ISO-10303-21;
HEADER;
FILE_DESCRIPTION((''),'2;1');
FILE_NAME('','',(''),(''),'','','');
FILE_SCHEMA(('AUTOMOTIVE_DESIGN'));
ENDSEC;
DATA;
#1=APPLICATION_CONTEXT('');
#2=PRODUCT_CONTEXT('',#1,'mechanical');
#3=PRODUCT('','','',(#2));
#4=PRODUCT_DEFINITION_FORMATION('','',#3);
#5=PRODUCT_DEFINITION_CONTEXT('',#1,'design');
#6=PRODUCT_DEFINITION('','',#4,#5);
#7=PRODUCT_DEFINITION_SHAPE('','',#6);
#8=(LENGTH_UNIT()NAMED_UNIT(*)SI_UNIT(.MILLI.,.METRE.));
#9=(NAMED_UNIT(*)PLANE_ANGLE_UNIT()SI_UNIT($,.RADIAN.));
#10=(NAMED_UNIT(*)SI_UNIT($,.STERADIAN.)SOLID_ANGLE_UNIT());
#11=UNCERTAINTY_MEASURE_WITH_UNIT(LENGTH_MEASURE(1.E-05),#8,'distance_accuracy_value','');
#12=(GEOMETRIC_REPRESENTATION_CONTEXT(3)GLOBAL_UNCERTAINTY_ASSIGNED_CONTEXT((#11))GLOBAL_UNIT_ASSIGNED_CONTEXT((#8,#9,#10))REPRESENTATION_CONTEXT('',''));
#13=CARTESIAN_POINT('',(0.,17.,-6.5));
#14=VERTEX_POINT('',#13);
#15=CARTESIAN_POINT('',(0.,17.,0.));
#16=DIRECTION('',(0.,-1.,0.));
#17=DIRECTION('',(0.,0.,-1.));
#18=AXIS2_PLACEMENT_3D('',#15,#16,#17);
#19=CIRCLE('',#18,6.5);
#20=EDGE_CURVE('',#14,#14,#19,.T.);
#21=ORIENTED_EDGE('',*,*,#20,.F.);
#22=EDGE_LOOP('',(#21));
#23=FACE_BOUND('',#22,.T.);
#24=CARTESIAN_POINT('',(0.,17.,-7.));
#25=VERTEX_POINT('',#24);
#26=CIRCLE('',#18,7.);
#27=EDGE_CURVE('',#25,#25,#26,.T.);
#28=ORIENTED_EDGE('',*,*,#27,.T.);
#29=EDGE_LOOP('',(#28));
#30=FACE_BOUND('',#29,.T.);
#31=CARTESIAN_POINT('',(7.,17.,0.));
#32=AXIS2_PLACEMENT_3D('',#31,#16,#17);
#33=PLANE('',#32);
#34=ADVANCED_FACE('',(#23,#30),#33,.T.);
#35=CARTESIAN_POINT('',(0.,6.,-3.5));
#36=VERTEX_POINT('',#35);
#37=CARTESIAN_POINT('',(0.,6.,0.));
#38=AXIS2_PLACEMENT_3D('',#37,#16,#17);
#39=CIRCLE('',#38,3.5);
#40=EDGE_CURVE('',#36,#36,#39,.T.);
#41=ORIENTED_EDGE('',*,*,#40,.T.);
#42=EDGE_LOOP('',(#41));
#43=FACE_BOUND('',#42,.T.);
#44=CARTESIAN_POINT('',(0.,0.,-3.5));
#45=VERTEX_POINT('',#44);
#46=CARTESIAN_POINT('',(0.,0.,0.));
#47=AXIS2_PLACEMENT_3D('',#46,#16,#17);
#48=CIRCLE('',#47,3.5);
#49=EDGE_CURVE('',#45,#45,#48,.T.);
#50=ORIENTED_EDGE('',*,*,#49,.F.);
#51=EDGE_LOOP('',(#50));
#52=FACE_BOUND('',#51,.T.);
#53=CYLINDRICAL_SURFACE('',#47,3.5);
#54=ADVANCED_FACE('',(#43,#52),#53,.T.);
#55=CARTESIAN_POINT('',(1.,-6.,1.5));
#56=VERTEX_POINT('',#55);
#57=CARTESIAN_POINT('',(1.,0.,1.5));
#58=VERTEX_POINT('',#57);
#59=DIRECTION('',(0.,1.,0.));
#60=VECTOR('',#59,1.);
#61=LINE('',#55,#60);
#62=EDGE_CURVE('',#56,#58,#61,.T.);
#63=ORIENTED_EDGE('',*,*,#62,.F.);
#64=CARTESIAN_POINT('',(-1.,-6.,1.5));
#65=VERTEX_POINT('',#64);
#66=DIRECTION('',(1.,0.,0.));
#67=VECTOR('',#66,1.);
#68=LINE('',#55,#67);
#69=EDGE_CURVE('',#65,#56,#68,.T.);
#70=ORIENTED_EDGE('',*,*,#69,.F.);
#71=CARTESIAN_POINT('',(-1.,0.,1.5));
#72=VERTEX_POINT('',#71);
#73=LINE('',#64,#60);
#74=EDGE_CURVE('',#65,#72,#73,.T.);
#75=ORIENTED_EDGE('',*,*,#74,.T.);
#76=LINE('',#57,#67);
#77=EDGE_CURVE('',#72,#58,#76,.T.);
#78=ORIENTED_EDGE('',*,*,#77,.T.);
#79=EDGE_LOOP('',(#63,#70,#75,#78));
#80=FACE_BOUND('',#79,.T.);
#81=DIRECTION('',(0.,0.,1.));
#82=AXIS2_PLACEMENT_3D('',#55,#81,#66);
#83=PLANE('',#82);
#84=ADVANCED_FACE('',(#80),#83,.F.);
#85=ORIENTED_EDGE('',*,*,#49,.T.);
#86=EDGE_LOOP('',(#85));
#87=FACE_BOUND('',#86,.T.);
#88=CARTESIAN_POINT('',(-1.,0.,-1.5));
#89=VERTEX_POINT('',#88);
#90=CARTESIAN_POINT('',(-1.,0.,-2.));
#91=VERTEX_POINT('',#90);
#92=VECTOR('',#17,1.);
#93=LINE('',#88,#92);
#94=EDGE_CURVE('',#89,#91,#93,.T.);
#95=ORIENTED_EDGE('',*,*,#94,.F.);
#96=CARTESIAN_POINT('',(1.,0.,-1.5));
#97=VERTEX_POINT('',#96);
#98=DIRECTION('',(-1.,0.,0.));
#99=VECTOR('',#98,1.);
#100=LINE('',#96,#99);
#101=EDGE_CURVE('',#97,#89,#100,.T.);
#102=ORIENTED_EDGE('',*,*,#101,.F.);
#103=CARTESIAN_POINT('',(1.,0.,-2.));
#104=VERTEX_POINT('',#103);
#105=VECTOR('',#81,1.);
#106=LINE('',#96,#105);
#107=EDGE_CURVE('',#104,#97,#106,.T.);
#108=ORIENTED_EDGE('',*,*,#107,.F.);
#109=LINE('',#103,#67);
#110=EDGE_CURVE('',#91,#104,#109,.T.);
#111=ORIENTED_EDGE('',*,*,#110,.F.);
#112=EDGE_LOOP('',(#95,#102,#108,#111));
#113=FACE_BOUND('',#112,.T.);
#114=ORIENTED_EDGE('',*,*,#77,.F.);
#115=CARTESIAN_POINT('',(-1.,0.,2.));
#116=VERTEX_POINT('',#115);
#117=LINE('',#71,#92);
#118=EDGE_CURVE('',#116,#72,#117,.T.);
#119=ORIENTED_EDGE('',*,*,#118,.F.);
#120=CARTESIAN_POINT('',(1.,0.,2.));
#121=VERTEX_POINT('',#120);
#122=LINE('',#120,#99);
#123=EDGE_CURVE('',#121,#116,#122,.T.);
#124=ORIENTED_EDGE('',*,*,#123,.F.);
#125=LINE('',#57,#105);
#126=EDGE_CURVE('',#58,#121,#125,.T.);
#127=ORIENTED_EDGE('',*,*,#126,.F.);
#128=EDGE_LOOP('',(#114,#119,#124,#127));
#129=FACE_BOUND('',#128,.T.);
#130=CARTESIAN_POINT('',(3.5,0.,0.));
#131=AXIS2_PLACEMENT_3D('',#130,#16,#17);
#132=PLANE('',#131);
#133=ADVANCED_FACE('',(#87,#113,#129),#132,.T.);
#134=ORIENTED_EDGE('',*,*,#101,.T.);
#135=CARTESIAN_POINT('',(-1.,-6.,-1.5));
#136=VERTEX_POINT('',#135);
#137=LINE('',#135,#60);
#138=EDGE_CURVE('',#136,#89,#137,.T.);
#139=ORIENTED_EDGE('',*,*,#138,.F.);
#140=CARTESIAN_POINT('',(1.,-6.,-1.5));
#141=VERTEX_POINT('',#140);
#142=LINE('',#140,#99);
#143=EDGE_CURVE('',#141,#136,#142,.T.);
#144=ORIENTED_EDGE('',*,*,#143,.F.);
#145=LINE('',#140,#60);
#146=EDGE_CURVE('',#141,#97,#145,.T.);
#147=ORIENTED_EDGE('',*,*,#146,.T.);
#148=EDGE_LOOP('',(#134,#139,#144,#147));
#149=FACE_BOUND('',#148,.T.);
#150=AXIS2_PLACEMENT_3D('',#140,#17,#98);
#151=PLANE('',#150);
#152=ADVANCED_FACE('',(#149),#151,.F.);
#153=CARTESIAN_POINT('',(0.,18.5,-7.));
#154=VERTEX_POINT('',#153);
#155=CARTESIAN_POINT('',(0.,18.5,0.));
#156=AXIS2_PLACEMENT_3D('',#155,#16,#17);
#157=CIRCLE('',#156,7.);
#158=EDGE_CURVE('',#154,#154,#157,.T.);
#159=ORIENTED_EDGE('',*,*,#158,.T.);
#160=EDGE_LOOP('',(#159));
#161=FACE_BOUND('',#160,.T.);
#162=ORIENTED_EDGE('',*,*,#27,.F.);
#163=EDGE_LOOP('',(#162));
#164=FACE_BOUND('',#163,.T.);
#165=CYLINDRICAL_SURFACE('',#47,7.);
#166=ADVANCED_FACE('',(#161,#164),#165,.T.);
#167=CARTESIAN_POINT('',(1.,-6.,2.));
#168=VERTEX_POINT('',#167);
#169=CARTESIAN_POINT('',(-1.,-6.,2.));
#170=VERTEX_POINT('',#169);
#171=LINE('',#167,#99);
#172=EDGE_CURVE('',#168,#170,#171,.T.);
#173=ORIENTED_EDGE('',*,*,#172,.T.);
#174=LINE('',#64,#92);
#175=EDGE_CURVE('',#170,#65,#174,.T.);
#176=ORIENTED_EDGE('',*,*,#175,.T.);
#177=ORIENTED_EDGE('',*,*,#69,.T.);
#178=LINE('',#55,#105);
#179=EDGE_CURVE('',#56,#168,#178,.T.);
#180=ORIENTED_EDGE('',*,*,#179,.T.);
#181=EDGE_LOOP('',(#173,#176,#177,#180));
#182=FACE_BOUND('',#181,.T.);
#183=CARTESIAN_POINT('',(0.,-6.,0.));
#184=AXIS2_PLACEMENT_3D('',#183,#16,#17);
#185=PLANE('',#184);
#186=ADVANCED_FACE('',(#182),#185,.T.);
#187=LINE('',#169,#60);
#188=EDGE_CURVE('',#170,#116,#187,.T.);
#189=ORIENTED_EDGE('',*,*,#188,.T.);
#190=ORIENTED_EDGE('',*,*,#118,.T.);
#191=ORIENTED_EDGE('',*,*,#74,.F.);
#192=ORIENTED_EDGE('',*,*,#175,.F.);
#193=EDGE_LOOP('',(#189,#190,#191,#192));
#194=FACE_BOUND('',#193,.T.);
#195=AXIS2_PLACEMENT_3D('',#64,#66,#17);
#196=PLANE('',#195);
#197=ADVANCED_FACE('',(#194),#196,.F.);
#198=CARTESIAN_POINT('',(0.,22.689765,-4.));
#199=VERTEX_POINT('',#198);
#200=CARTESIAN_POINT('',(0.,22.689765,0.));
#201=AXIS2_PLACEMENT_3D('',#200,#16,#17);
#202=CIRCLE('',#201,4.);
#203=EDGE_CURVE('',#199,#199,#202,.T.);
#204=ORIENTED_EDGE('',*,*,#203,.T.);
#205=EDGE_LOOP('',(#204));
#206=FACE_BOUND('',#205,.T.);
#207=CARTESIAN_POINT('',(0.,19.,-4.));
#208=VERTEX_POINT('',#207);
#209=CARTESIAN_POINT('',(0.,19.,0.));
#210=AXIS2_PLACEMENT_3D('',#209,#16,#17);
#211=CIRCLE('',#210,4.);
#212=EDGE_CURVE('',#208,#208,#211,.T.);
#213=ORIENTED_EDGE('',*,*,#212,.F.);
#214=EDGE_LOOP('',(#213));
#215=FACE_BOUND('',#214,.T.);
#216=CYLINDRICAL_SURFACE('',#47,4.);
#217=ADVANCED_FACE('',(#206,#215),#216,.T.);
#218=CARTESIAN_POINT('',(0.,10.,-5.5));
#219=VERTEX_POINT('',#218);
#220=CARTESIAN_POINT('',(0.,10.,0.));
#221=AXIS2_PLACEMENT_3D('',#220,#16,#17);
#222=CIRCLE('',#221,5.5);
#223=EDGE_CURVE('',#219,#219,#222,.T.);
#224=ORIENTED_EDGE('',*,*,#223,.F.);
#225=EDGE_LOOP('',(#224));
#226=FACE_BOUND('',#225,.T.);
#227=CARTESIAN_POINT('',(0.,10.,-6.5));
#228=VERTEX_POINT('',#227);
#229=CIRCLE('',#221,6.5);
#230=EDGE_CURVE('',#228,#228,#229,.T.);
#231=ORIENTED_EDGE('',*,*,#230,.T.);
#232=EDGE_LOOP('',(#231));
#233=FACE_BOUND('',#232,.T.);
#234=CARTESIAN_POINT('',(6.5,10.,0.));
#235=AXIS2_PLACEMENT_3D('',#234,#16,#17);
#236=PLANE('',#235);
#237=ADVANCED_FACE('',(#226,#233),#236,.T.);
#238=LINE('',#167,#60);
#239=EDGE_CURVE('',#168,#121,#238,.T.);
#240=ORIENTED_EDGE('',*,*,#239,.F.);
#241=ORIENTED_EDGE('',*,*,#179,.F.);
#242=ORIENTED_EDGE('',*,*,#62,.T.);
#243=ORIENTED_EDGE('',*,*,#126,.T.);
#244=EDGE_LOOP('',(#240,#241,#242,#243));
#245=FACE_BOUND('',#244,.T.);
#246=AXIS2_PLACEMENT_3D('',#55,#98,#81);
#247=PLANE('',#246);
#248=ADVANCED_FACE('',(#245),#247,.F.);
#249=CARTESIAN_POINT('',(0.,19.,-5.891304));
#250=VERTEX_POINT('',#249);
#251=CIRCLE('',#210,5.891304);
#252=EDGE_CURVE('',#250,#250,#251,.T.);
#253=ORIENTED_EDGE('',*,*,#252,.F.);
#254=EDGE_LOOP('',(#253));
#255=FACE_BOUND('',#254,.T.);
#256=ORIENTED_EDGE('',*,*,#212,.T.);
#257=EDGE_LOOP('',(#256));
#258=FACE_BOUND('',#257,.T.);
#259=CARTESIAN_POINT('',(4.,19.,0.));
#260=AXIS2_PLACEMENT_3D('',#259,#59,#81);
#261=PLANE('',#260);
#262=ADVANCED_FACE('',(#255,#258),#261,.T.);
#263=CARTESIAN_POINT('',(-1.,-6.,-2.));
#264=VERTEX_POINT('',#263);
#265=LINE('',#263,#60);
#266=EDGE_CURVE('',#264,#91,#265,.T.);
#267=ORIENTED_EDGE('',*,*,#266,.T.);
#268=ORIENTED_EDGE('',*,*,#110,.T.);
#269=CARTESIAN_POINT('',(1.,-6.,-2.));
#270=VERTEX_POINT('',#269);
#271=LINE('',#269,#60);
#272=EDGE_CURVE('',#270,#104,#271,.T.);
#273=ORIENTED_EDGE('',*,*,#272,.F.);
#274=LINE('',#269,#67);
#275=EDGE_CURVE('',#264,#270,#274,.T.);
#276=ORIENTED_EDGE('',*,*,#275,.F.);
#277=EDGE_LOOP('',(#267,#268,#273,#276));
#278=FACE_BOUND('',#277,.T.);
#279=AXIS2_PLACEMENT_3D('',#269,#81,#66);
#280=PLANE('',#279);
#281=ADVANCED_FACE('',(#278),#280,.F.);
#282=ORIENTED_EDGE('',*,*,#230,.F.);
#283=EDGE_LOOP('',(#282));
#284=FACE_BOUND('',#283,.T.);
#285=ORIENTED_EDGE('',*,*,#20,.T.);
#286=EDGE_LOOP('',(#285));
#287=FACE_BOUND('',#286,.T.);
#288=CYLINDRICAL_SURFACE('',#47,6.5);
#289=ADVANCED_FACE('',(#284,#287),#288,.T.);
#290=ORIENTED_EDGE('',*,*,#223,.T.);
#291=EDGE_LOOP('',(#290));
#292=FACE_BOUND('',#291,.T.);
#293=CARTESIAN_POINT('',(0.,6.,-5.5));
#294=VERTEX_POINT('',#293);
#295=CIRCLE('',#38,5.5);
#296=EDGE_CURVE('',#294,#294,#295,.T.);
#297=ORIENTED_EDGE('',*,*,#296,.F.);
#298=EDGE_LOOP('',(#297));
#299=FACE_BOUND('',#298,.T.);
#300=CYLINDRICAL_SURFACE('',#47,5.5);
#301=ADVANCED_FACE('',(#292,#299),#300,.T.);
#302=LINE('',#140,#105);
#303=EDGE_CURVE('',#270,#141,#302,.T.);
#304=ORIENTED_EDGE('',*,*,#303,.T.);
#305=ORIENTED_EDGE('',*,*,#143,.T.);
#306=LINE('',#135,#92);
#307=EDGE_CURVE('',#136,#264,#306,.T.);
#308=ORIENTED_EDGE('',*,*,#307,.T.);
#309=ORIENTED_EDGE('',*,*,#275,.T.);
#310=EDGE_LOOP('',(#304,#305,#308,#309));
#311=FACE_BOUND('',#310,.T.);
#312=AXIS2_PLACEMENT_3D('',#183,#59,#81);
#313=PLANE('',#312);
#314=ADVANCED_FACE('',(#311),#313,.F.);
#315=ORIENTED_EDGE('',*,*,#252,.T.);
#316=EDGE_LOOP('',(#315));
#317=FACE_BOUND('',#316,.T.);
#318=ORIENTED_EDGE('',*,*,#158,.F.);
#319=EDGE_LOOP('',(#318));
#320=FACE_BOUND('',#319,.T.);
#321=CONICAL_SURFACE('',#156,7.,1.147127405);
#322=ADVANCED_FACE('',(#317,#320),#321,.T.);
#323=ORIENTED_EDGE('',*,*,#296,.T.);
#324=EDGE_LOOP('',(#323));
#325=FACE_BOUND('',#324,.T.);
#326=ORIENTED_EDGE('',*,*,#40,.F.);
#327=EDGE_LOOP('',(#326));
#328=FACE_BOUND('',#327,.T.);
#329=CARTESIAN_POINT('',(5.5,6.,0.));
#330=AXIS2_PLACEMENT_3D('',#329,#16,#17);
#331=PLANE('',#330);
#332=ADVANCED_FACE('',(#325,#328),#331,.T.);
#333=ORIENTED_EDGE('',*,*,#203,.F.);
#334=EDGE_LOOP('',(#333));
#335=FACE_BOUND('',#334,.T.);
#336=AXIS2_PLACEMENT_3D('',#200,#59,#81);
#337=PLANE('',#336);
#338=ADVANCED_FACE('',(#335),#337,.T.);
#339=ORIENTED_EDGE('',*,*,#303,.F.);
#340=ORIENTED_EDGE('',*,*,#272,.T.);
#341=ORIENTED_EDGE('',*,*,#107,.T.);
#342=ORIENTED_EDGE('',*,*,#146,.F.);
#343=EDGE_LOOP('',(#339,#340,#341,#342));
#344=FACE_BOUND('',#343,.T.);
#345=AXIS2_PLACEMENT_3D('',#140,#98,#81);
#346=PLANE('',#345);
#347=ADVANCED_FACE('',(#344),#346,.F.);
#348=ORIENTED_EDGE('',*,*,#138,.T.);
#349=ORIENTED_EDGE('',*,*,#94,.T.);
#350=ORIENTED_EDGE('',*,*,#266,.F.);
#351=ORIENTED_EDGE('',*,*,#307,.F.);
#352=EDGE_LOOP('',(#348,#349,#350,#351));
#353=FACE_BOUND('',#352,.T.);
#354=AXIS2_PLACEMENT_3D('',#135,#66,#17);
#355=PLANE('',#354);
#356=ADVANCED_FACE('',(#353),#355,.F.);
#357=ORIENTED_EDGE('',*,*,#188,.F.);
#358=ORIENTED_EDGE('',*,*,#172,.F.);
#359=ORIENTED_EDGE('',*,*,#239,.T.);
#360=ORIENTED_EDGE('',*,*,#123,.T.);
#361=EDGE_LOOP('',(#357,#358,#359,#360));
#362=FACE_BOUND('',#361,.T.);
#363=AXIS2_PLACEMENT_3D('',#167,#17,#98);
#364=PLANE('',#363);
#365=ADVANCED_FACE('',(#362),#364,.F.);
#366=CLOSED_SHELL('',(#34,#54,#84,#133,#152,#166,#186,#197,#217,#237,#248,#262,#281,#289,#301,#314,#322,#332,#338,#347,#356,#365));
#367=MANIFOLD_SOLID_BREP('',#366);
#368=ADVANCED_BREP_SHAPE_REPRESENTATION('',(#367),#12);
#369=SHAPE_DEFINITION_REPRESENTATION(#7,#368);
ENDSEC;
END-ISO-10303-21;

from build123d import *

# Parameters (mm, degrees)
ESBO_O2_W                = 2
ESBO_O2_H                = 0.5
RESSALTO_EXTRUS_O1_DEPTH = 6


with BuildPart() as part:
    # Esboço1 → Revolução1 (revolve)
    with BuildSketch(Plane.XY):
        Polygon((0, 22.689764513), (4, 22.689764513), (4, 19), (5.891304348, 19), (7, 18.5), (7, 17), (6.5, 17), (6.5, 10), (5.5, 10), (5.5, 6), (3.5, 6), (3.5, 0), (0, 0), align=None)
    revolve(axis=Axis((0, 0, 0), (0, 1, 0)))

    # Esboço2 → Ressalto-extrusão1 (add)
    with BuildSketch(Plane.XZ):
        with Locations((0, -1.75)):
            Rectangle(ESBO_O2_W, ESBO_O2_H)
        with Locations((0, 1.75)):
            Rectangle(ESBO_O2_W, ESBO_O2_H)
    extrude(amount=RESSALTO_EXTRUS_O1_DEPTH)


solid = part.part
